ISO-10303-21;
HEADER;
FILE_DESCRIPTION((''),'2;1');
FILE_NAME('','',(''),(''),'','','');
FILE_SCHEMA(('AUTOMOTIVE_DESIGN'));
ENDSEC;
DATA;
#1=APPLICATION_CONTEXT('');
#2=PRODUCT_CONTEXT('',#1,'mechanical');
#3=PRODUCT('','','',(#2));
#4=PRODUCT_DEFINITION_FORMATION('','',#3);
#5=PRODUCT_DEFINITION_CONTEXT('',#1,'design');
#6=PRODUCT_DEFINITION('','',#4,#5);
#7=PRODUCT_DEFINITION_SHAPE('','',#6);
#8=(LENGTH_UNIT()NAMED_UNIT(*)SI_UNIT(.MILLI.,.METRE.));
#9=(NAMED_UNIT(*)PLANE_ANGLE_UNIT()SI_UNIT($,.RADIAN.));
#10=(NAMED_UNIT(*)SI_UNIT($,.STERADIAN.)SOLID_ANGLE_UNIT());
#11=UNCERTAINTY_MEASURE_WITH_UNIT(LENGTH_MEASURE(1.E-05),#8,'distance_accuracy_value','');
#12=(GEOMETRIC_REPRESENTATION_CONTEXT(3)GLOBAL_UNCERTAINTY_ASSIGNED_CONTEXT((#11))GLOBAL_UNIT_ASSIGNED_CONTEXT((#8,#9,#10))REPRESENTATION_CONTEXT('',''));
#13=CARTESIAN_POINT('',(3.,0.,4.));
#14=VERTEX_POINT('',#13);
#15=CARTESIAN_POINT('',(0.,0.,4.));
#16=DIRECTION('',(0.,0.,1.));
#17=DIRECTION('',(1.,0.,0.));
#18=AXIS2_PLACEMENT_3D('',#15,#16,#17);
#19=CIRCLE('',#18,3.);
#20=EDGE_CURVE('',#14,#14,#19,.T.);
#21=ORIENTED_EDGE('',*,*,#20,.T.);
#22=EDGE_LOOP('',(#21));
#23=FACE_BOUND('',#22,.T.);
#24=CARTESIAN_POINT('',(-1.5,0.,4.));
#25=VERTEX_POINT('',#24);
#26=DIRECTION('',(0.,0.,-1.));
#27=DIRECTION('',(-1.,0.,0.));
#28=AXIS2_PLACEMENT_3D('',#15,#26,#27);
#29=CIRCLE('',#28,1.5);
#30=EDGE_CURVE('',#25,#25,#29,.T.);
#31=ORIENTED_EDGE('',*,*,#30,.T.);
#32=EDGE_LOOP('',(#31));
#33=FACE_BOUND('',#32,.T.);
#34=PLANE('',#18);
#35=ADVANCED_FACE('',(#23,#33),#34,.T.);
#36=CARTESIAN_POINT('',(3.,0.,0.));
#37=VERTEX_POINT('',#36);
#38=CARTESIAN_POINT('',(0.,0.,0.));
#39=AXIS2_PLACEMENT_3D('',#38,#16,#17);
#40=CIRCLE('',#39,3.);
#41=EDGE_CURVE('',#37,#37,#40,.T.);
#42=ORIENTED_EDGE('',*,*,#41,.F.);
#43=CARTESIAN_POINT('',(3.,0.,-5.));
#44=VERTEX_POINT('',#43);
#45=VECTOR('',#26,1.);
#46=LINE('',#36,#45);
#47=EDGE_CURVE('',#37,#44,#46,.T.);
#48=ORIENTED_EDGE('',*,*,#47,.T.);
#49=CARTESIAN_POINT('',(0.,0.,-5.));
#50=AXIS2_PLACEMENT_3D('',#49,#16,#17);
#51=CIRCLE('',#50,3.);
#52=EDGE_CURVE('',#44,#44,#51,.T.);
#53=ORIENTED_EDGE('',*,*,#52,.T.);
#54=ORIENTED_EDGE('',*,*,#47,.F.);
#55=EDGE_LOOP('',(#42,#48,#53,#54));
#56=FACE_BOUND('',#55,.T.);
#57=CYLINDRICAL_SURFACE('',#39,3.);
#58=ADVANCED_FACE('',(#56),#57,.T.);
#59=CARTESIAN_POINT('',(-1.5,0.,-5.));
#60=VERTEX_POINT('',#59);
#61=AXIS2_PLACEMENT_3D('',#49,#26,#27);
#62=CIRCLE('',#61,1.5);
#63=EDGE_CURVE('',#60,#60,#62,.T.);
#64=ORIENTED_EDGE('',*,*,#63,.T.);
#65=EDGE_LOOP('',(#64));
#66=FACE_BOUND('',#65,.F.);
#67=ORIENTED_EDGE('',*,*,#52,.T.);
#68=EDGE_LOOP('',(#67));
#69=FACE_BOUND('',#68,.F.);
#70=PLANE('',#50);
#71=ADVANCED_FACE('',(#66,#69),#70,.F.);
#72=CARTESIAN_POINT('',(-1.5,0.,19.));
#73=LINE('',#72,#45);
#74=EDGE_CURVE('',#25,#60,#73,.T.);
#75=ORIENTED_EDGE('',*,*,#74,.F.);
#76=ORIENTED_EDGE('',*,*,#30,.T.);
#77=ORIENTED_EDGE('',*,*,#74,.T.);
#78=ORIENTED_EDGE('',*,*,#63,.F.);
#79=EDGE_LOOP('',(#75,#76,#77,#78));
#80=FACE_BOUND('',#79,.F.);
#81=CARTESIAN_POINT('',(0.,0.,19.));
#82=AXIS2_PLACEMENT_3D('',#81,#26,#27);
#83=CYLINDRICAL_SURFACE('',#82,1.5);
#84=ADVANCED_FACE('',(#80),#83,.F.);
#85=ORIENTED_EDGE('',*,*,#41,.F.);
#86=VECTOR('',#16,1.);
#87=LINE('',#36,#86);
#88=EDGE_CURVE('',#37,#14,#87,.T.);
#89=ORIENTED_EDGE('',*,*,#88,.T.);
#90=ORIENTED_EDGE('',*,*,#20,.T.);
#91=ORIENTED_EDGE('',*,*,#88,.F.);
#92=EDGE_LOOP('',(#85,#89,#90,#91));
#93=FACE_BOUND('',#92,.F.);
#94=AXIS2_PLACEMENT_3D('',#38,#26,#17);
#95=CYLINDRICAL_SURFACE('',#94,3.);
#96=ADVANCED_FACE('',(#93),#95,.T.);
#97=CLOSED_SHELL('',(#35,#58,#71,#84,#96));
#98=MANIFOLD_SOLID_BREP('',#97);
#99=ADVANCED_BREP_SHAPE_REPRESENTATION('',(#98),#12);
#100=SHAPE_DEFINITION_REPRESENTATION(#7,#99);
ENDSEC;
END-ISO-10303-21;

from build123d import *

# Parameters (mm, degrees)
F0_R     = 3
F1_DEPTH = 5
F2_R     = 3
F3_DEPTH = 4
F5_D     = 3
F5_DEPTH = 15


with BuildPart() as f1:
    # F0 (on Top) → F1 (new body)
    with BuildSketch(Plane.XY):
        Circle(F0_R)
    extrude(amount=-F1_DEPTH)

    # F2 (on Top) → F3 (join)
    with BuildSketch(Plane.XY):
        Circle(F2_R)
    extrude(amount=F3_DEPTH)

    # F5
    with Locations(Plane.XY.offset(4)):
        with Locations((0, 0)):
            Hole(F5_D / 2, depth=F5_DEPTH)


solid = f1.part
